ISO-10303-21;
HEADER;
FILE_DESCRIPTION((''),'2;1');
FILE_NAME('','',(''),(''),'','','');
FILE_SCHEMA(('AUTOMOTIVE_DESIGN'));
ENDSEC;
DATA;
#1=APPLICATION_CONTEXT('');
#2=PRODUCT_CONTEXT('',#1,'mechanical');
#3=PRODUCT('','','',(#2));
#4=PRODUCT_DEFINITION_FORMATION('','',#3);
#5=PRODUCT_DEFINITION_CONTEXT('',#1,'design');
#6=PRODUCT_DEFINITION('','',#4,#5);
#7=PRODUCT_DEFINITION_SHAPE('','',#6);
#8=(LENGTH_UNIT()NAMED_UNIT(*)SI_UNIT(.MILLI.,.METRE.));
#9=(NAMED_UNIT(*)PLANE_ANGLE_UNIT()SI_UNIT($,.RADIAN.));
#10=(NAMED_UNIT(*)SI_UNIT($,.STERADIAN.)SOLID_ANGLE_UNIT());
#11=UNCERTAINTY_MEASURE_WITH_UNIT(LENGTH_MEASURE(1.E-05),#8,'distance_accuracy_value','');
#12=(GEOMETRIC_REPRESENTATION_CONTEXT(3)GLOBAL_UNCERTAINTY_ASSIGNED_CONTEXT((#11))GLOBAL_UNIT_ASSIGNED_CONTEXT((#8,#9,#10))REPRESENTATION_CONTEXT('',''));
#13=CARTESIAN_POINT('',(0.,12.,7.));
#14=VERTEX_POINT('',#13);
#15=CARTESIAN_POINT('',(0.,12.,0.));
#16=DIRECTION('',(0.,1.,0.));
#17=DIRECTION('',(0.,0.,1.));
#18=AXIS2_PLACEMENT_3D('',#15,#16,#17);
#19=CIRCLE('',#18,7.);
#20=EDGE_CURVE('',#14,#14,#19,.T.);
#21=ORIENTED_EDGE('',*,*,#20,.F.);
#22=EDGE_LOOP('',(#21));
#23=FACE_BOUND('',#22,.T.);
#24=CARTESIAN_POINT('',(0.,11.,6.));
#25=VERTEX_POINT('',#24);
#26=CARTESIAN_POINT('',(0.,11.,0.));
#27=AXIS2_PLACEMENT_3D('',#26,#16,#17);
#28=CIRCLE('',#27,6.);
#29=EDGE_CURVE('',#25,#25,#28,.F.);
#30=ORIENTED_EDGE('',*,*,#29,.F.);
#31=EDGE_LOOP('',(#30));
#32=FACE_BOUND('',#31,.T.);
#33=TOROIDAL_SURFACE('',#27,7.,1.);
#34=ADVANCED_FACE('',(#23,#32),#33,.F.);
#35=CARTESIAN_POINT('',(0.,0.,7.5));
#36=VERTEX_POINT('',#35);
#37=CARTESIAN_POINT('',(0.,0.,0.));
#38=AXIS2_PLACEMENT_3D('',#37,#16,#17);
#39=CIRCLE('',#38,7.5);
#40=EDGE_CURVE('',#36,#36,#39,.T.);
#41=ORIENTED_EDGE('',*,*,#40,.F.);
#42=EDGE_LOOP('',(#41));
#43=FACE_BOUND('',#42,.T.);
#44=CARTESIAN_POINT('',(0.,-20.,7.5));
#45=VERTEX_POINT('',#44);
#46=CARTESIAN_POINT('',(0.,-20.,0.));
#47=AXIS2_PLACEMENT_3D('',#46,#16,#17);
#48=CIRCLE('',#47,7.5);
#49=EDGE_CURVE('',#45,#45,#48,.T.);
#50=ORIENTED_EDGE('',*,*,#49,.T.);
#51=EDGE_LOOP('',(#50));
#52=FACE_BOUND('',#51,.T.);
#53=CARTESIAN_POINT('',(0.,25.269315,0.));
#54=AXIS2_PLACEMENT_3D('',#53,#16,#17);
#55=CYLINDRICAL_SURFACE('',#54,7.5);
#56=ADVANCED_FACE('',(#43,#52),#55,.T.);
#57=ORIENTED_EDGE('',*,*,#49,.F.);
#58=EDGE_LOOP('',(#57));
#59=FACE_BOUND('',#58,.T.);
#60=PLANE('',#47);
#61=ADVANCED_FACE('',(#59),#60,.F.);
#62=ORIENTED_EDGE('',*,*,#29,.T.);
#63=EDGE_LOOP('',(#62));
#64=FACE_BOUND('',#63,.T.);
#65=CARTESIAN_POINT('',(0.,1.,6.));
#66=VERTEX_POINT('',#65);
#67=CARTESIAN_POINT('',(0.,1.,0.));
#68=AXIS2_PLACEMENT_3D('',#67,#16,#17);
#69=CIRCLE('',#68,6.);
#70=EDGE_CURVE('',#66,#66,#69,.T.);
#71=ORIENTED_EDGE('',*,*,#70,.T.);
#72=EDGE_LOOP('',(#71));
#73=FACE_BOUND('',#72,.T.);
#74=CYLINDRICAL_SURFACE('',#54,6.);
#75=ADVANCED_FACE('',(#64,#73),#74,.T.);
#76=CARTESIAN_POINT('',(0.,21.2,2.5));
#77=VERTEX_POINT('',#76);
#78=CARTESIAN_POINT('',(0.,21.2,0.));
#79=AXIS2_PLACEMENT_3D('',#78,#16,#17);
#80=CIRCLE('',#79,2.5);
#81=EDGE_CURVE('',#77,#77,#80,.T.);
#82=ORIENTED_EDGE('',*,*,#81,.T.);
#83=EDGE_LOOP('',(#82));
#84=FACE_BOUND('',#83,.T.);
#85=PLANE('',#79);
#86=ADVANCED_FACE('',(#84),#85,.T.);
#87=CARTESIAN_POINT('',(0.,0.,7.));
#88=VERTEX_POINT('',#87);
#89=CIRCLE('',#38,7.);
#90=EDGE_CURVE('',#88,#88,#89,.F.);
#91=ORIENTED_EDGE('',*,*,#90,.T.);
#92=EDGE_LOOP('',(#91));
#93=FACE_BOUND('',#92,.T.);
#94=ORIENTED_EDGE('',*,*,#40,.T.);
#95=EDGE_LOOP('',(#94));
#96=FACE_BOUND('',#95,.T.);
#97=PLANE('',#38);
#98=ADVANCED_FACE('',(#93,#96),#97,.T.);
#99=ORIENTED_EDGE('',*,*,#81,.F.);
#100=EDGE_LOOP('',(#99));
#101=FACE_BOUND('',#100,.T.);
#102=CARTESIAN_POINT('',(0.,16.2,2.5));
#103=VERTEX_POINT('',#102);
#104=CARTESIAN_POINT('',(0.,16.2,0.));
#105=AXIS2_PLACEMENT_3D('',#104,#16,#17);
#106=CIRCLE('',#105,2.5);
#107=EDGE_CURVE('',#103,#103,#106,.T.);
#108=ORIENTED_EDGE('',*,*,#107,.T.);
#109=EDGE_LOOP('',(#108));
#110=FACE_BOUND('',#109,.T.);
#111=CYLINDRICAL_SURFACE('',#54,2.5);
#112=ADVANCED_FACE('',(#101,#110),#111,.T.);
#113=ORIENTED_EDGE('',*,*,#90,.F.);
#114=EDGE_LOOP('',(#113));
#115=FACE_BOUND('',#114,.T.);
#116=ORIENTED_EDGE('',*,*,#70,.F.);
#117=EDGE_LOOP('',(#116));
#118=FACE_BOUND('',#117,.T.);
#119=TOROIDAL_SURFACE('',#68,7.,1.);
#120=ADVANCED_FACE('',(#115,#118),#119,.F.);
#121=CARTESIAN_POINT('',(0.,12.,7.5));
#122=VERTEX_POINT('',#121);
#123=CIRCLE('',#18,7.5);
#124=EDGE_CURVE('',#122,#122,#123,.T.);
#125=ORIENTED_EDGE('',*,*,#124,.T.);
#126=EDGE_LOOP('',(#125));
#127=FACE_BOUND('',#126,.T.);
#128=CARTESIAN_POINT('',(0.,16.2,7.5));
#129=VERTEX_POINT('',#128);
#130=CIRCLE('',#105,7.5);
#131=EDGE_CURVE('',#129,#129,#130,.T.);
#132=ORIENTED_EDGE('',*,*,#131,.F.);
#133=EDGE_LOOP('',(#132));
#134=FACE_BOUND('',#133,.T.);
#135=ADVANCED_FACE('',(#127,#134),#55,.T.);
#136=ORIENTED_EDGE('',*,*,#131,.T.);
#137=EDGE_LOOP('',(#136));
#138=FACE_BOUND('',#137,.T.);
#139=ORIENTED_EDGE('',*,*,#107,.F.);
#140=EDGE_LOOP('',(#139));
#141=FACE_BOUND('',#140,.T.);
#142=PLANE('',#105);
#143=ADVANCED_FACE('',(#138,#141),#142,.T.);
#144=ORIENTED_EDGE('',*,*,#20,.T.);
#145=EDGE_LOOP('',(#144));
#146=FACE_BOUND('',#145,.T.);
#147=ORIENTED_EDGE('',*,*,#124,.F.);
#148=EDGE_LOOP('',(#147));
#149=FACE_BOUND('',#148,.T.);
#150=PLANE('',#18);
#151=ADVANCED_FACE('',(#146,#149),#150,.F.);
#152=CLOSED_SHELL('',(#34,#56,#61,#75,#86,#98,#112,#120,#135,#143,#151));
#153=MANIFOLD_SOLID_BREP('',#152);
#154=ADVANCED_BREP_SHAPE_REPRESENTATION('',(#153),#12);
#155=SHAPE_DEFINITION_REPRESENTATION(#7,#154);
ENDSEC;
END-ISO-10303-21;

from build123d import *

# Parameters (mm, degrees)
SKETCH1_W   = 7.5
SKETCH1_H   = 20
SKETCH1_W_2 = 6
SKETCH1_H_2 = 12
SKETCH1_W_3 = 2.5
SKETCH1_H_3 = 5
FILLET1_R   = 1


with BuildPart() as part:
    # Sketch1 → Revolve1 (revolve)
    with BuildSketch(Plane.XY):
        with Locations((-3.75, -10)):
            Rectangle(SKETCH1_W, SKETCH1_H)
        with Locations((-3, 6)):
            Rectangle(SKETCH1_W_2, SKETCH1_H_2)
        Polygon((-6, 12), (0, 12), (0, 16.2), (-2.5, 16.2), (-7.5, 16.2), (-7.5, 12), align=None)
        with Locations((-1.25, 18.7)):
            Rectangle(SKETCH1_W_3, SKETCH1_H_3)
    revolve(axis=Axis((0, 25.269315462, 0), (0, -1, 0)))

    # Fillet1
    fillet1_edges = [part.edges().sort_by_distance(p)[0] for p in [
        (6, 0, 0),
        (6, 12, 0),
    ]]
    fillet(fillet1_edges, radius=FILLET1_R)


solid = part.part
